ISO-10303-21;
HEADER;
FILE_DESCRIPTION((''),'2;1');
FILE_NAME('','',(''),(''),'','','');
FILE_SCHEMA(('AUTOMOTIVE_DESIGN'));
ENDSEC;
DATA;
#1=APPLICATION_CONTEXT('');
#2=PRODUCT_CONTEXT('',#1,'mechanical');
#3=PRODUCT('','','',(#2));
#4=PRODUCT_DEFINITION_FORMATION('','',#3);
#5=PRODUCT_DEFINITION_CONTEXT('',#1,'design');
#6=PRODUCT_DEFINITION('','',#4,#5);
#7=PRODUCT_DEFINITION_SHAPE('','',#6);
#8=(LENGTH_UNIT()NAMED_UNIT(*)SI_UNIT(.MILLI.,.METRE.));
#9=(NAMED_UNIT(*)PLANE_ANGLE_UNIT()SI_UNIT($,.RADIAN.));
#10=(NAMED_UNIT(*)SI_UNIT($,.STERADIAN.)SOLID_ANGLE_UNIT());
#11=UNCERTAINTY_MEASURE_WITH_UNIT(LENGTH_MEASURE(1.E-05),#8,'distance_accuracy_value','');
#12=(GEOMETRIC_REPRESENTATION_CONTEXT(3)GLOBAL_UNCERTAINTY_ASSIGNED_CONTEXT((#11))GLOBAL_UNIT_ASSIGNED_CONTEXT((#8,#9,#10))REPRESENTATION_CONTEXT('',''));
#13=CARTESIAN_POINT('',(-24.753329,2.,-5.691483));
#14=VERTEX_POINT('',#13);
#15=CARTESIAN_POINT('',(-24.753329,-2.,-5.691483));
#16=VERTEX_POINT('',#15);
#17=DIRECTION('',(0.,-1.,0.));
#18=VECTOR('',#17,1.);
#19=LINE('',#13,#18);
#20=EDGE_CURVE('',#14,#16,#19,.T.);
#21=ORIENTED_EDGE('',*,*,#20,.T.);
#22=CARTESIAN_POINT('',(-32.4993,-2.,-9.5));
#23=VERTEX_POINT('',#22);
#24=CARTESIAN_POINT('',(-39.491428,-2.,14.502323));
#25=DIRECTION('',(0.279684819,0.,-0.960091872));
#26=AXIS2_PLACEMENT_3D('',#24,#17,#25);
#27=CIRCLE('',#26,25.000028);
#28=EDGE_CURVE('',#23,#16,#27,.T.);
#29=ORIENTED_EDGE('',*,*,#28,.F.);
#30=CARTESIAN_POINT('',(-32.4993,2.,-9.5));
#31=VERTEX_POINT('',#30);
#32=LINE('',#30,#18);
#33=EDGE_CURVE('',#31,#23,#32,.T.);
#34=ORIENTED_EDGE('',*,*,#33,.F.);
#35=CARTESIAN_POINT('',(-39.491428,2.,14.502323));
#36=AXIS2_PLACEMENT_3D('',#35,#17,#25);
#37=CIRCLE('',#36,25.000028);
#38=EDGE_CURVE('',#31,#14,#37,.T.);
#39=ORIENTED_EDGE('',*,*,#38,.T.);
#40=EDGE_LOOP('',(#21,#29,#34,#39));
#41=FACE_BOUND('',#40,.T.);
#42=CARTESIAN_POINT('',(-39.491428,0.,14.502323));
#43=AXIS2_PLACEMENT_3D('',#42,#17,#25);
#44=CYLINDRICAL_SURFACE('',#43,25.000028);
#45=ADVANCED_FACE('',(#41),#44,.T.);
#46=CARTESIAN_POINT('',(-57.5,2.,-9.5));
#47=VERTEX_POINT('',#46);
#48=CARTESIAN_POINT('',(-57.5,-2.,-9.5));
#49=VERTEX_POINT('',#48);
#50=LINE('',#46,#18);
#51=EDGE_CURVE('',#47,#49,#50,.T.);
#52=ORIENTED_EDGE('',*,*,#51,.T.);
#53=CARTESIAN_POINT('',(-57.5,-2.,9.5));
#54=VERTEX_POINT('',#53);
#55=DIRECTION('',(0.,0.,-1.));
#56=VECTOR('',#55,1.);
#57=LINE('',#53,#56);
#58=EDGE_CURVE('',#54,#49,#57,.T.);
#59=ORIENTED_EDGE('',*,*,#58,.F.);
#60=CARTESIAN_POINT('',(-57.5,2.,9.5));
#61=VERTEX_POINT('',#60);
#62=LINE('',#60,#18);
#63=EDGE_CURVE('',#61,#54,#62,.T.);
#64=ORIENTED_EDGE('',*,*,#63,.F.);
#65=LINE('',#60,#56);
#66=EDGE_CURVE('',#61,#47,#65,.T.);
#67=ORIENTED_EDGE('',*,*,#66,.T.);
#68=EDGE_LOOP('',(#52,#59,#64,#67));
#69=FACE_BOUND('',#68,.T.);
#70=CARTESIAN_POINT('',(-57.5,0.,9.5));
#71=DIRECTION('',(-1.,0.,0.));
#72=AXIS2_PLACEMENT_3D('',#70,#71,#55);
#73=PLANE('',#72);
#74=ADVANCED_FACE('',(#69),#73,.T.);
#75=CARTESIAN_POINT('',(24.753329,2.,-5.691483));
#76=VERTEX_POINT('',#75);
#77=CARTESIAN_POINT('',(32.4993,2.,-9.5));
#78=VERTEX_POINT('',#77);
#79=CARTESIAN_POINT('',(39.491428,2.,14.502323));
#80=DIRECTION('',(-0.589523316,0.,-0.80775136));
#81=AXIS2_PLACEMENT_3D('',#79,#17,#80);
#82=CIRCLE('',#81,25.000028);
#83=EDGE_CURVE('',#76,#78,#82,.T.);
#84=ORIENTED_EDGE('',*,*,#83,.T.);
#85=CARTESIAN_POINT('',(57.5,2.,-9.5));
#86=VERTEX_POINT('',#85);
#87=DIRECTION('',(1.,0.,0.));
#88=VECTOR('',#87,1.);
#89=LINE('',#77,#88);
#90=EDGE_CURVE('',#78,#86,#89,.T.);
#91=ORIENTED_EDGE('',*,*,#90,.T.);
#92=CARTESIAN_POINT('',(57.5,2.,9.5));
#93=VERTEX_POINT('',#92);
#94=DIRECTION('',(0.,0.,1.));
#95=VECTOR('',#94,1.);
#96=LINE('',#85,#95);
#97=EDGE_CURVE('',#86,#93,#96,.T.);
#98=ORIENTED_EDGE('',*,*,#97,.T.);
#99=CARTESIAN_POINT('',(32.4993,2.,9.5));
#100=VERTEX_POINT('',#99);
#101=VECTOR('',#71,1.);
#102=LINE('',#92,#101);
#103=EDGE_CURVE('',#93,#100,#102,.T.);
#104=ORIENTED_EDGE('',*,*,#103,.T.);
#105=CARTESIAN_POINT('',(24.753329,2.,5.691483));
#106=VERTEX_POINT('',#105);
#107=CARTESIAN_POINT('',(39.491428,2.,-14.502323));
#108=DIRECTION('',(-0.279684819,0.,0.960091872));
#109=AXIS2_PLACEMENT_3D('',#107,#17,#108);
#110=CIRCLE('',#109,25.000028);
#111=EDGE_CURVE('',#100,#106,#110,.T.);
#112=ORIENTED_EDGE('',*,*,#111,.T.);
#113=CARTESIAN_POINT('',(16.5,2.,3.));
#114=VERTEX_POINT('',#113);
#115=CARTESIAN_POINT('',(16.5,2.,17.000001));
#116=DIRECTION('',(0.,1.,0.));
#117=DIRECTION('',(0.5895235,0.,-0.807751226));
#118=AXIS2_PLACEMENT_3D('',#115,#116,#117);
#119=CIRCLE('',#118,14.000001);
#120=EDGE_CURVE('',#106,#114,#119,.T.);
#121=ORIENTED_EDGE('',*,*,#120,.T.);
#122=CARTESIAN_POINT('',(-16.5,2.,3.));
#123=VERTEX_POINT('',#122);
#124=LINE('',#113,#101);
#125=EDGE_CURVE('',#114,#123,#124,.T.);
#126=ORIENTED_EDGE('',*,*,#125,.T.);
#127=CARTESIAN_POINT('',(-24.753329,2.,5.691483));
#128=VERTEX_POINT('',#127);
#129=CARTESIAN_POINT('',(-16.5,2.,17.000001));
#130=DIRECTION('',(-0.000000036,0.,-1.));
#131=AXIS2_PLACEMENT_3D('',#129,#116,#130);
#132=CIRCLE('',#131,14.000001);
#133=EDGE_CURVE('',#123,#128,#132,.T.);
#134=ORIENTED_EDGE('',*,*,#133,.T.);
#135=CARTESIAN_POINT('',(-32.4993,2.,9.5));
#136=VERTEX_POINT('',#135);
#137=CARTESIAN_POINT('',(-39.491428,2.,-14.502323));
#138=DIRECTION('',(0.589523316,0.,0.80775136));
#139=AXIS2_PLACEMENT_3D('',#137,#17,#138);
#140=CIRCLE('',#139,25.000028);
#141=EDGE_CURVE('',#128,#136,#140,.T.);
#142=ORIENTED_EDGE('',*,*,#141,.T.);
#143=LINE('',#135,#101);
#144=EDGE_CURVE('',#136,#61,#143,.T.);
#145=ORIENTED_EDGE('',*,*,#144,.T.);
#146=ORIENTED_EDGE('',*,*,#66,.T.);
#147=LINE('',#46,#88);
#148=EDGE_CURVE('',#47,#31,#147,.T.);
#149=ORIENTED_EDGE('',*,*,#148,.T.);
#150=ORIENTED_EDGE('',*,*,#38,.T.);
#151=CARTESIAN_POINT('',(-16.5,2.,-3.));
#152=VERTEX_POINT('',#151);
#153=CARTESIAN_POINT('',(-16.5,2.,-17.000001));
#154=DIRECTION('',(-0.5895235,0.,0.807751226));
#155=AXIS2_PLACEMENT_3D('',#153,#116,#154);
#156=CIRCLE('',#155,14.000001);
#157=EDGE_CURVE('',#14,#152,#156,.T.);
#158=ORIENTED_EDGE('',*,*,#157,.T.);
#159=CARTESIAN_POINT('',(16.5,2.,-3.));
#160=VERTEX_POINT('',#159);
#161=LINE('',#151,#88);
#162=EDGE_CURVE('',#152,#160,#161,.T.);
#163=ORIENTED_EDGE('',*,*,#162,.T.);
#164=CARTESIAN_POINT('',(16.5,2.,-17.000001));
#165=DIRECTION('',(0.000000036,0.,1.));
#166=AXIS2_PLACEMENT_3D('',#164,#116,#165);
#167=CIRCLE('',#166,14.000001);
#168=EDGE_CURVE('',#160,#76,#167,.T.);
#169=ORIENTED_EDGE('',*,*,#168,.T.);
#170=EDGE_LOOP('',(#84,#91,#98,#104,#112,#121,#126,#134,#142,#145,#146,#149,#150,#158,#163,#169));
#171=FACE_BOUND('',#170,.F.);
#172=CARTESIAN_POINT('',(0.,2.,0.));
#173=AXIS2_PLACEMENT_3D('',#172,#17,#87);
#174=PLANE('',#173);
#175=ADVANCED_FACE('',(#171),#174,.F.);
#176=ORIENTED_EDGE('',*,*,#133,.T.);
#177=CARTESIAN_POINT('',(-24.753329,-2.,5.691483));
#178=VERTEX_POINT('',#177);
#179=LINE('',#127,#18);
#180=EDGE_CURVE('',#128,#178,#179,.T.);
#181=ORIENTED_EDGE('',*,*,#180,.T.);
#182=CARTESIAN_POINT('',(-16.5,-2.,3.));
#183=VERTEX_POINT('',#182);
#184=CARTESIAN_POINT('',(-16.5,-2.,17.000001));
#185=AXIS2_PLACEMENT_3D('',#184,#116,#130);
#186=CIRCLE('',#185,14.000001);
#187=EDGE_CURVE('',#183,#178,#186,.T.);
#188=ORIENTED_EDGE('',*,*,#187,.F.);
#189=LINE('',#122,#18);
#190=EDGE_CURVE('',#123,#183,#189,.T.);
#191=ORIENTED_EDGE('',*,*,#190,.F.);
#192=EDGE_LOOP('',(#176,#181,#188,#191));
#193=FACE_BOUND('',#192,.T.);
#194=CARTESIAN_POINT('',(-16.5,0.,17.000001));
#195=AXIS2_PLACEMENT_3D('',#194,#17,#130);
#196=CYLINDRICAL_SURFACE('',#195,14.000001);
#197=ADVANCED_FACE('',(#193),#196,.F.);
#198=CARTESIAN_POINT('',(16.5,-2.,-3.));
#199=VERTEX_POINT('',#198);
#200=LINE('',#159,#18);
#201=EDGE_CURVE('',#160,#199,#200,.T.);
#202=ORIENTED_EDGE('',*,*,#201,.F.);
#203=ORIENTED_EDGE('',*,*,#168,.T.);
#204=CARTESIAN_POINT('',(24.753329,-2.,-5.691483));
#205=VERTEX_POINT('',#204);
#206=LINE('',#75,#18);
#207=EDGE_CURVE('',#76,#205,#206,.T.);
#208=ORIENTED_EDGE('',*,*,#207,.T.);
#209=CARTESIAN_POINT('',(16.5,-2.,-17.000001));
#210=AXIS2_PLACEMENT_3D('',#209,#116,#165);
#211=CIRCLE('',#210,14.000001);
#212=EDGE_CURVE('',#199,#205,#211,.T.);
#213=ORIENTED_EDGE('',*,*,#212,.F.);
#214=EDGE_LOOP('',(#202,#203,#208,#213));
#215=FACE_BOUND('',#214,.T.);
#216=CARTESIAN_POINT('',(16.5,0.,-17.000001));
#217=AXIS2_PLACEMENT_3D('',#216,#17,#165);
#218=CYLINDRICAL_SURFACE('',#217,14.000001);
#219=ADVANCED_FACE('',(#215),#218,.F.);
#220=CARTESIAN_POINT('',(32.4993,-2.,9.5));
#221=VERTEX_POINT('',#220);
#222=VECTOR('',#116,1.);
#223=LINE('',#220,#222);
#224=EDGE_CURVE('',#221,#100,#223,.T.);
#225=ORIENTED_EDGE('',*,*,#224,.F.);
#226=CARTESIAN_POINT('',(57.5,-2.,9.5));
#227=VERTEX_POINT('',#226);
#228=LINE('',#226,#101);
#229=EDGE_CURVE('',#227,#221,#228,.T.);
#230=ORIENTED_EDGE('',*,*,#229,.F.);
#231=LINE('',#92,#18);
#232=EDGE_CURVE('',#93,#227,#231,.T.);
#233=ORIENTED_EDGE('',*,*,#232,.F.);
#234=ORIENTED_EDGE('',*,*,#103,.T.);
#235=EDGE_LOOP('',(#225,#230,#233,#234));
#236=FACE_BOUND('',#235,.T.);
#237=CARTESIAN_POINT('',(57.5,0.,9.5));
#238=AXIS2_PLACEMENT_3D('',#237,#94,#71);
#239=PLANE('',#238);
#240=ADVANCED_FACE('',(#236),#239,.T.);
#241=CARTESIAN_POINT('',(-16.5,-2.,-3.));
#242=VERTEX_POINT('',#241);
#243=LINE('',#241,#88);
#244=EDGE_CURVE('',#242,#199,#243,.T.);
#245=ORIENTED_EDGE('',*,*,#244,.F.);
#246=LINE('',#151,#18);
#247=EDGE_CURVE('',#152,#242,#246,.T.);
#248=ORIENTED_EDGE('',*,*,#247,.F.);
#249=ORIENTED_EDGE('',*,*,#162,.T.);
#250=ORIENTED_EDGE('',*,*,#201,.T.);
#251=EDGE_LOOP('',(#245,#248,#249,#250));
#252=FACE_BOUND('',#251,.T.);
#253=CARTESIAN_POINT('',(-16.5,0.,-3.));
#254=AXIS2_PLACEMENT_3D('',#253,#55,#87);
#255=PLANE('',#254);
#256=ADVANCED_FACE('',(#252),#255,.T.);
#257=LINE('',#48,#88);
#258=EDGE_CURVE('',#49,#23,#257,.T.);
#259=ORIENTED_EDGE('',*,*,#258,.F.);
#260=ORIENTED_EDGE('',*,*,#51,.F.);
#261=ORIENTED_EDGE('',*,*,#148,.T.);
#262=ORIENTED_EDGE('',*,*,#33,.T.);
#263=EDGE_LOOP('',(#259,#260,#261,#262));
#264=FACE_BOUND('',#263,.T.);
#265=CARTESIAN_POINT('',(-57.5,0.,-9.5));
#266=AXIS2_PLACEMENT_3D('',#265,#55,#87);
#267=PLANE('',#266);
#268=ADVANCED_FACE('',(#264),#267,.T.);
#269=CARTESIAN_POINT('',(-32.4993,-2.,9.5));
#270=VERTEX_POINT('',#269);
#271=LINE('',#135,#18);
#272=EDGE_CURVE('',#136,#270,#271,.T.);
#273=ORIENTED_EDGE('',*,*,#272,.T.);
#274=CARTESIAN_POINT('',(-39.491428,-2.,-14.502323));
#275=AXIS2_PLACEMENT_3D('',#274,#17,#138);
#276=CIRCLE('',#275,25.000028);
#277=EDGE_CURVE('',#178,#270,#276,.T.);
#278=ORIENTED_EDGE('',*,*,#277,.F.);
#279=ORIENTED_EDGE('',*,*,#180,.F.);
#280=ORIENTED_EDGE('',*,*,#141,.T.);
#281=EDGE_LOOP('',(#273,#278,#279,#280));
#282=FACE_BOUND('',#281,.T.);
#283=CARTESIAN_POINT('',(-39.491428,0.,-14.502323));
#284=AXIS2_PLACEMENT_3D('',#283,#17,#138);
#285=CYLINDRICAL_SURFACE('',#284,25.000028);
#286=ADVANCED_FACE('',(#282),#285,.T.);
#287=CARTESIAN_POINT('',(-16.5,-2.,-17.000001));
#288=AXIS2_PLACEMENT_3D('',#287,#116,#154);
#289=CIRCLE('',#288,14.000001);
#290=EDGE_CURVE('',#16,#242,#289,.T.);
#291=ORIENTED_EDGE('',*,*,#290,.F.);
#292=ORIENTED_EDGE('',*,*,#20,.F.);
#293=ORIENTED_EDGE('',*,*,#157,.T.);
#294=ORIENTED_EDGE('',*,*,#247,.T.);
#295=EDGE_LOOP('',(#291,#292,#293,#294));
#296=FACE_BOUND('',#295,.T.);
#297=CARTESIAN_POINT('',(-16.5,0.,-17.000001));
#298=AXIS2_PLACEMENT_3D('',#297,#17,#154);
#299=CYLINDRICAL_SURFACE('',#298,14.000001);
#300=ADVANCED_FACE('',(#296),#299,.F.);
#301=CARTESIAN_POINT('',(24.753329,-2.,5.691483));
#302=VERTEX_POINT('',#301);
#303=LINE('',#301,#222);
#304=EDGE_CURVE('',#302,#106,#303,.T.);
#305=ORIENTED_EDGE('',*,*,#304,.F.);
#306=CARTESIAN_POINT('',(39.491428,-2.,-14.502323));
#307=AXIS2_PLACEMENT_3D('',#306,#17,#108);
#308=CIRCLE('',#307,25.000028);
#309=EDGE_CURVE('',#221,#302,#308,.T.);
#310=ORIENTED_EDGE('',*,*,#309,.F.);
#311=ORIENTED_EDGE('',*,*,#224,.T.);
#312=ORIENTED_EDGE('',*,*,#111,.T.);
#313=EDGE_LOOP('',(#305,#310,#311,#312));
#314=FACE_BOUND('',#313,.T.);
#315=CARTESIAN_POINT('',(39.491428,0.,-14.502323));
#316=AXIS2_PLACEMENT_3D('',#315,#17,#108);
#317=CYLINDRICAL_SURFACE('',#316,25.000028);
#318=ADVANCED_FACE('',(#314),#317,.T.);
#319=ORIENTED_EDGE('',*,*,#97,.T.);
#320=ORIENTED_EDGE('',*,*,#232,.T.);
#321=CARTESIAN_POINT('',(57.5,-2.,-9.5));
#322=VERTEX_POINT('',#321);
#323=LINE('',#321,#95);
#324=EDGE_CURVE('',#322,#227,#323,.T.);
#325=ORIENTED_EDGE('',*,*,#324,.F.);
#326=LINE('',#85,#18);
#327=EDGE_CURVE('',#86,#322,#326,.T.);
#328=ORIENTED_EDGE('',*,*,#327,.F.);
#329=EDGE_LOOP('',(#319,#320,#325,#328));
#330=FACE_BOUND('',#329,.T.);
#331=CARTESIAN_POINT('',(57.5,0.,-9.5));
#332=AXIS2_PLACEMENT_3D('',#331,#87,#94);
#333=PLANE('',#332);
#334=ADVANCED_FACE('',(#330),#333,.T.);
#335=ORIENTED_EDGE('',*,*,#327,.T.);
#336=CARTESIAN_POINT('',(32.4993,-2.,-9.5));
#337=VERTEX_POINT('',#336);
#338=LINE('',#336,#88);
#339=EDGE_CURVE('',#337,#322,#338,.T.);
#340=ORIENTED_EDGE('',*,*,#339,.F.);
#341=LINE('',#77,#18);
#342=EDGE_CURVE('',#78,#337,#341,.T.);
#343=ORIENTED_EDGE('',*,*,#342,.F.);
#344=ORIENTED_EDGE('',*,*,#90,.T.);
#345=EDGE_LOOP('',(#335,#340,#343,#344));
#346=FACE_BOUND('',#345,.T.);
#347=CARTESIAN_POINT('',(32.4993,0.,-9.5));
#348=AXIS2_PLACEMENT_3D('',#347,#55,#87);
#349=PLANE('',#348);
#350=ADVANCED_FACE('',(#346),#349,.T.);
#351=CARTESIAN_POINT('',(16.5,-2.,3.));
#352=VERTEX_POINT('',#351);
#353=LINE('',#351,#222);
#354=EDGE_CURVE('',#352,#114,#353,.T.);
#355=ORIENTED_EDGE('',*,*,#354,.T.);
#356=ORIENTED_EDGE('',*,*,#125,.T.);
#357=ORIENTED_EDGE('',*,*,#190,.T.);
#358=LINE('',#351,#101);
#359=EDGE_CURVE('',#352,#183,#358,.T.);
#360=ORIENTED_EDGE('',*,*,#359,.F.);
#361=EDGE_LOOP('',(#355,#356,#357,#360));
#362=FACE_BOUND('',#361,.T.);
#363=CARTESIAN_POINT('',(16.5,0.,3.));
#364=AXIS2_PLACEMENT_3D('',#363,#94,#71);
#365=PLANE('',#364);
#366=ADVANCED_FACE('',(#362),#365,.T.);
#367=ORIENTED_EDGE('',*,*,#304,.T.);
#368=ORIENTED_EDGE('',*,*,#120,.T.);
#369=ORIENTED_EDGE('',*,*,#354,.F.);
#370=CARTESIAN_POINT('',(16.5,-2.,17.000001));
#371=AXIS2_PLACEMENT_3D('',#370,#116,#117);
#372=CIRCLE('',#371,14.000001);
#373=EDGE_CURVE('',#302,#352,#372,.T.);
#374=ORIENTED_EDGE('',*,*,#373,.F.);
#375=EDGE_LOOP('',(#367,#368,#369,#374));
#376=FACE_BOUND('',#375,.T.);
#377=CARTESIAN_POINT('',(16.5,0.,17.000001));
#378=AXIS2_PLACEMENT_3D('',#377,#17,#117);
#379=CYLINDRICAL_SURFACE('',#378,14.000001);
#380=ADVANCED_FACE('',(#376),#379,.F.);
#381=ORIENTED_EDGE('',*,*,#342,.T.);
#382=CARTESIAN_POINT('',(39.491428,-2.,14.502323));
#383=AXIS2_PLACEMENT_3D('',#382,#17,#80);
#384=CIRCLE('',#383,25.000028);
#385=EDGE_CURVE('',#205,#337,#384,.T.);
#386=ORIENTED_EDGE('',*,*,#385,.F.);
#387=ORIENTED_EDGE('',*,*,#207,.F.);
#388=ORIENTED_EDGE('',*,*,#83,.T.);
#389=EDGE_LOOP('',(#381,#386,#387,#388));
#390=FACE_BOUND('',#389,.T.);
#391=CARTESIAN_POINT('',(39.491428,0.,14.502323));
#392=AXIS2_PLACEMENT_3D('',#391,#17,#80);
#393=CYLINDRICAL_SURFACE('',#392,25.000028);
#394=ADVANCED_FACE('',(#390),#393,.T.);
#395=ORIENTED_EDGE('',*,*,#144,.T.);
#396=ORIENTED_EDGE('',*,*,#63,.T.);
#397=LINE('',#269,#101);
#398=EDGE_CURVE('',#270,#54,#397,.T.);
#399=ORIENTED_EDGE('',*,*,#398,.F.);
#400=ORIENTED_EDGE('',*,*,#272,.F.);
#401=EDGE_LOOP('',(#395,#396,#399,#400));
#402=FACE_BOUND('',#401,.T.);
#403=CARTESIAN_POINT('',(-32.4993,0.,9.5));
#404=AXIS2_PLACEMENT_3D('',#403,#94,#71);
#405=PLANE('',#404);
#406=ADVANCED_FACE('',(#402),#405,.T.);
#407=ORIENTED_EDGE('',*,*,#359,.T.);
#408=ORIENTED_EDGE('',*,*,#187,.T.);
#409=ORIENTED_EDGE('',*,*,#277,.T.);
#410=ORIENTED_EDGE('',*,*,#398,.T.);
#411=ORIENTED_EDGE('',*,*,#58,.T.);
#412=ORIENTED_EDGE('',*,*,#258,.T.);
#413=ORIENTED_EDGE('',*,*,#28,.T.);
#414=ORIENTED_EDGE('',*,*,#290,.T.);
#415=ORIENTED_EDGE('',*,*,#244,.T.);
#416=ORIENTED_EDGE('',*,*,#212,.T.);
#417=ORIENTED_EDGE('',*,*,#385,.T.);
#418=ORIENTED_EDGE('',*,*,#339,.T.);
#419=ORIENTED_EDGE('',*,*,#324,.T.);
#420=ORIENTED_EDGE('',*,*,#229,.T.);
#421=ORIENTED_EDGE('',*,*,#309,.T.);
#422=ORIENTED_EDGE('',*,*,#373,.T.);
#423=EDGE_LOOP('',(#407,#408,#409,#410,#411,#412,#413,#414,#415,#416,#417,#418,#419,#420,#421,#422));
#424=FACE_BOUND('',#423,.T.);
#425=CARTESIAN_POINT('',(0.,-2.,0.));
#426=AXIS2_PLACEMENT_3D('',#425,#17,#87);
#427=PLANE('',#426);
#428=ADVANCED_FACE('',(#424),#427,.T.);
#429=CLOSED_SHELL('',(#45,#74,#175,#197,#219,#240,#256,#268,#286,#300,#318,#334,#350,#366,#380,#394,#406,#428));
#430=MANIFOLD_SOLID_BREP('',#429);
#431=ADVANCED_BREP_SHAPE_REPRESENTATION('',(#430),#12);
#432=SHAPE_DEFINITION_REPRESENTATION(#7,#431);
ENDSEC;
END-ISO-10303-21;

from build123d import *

# Parameters (mm, degrees)
F1_DEPTH = 2


with BuildPart() as f1:
    # F0 (on Front) → F1 (new body, symmetric)
    with BuildSketch(Plane.XZ):
        with BuildLine():
            Line((16.5, 3), (0, 3))
            Line((0, 3), (-16.5, 3))
            ThreePointArc((-16.5, 3), (-20.840551, 3.689868), (-24.753329, 5.691483))
            ThreePointArc((-24.753329, 5.691483), (-28.460703, 7.932571), (-32.4993, 9.5))
            Line((-32.4993, 9.5), (-57.5, 9.5))
            Line((-57.5, 9.5), (-57.5, 0))
            Line((-57.5, 0), (-57.5, -9.5))
            Line((-57.5, -9.5), (-32.4993, -9.5))
            ThreePointArc((-32.4993, -9.5), (-28.460703, -7.932571), (-24.753329, -5.691483))
            ThreePointArc((-24.753329, -5.691483), (-20.840551, -3.689868), (-16.5, -3))
            Line((-16.5, -3), (0, -3))
            Line((0, -3), (16.5, -3))
            ThreePointArc((16.5, -3), (20.840551, -3.689868), (24.753329, -5.691483))
            ThreePointArc((24.753329, -5.691483), (28.460703, -7.932571), (32.4993, -9.5))
            Line((32.4993, -9.5), (57.5, -9.5))
            Line((57.5, -9.5), (57.5, 0))
            Line((57.5, 0), (57.5, 9.5))
            Line((57.5, 9.5), (32.4993, 9.5))
            ThreePointArc((32.4993, 9.5), (28.460703, 7.932571), (24.753329, 5.691483))
            ThreePointArc((24.753329, 5.691483), (20.840551, 3.689868), (16.5, 3))
        make_face()
    extrude(amount=F1_DEPTH, both=True)


solid = f1.part
